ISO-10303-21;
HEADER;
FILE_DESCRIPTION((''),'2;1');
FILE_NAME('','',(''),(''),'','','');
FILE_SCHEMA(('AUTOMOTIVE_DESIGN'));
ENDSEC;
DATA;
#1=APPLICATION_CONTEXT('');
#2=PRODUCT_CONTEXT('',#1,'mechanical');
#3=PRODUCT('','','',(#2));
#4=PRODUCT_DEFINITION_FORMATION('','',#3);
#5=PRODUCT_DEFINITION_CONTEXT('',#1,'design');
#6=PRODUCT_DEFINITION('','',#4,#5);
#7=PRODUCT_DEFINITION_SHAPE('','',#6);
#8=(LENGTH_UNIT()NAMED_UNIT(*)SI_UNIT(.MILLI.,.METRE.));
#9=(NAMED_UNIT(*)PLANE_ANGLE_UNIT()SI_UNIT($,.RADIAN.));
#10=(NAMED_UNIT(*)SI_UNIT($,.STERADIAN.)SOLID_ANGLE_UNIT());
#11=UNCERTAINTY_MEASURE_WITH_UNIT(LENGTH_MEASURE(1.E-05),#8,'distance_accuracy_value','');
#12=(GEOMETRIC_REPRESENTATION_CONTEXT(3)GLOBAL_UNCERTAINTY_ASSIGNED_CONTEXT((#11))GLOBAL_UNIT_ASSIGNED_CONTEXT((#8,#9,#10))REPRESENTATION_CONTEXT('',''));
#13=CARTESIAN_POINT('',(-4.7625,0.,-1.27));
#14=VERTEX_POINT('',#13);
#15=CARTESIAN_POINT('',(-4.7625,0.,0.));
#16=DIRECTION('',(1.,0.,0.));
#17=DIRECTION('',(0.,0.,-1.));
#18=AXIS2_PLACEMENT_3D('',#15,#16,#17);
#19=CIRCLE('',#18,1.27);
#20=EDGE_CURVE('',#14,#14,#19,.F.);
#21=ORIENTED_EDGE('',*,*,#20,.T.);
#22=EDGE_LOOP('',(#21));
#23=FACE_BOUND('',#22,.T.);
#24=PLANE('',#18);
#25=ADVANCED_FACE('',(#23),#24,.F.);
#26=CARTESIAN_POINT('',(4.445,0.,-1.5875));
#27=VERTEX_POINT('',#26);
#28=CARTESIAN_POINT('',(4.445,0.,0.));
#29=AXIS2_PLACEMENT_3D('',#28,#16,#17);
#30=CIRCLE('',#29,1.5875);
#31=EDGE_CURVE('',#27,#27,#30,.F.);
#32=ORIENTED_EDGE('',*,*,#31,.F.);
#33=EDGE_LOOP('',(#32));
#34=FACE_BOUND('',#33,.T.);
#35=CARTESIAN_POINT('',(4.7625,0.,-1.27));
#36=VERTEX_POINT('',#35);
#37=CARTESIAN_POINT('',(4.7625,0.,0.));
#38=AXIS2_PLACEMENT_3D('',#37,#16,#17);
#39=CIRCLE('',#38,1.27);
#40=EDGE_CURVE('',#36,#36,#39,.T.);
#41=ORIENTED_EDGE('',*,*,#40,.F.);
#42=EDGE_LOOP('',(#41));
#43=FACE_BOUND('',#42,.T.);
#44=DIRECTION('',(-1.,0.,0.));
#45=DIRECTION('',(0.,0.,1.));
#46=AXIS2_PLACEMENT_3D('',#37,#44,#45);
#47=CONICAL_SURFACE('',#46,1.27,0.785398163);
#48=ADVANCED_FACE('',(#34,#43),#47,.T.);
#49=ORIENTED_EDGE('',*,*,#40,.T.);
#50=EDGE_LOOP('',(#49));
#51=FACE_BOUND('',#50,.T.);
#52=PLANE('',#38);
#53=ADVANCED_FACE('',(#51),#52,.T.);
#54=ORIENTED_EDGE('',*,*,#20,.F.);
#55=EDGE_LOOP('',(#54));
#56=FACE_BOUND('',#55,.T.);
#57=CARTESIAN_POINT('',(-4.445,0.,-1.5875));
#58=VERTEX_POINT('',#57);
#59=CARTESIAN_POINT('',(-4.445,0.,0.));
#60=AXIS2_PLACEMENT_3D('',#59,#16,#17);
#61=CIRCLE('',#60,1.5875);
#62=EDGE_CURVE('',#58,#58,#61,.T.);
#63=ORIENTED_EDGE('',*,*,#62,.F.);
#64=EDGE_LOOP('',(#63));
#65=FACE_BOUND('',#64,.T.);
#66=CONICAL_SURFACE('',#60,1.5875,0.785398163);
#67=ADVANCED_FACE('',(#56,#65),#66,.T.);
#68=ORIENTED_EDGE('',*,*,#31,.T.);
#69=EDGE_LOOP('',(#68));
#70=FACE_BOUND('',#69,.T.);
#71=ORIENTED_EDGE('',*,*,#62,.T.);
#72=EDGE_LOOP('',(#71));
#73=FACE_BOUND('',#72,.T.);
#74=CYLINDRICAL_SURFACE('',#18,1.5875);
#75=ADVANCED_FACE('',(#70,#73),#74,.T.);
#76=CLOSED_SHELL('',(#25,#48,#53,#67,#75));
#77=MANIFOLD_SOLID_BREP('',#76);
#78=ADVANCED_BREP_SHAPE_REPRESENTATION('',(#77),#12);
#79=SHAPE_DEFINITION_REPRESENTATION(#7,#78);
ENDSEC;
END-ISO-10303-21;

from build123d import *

# Parameters (mm, degrees)
SKETCH2_R           = 1.5875
EXTRUDE1_DEPTH      = 4.7625
EXTRUDE1_DEPTH_BACK = 4.7625
CHAMFER1_SIZE       = 0.3175


with BuildPart() as part:
    # Sketch2 → Extrude1 (new body, two sides)
    with BuildSketch(Plane(origin=(0, 0, 0), x_dir=(0, 0, -1), z_dir=(1, 0, 0))) as extrude1_sk:
        Circle(SKETCH2_R)
    extrude(amount=EXTRUDE1_DEPTH)
    extrude(extrude1_sk.sketch, amount=-EXTRUDE1_DEPTH_BACK)

    # Chamfer1
    chamfer1_edges = [part.edges().sort_by_distance(p)[0] for p in [
        (-4.7625, 0, 1.5875),
        (4.7625, 0, 1.5875),
    ]]
    chamfer(chamfer1_edges, length=CHAMFER1_SIZE)


solid = part.part
